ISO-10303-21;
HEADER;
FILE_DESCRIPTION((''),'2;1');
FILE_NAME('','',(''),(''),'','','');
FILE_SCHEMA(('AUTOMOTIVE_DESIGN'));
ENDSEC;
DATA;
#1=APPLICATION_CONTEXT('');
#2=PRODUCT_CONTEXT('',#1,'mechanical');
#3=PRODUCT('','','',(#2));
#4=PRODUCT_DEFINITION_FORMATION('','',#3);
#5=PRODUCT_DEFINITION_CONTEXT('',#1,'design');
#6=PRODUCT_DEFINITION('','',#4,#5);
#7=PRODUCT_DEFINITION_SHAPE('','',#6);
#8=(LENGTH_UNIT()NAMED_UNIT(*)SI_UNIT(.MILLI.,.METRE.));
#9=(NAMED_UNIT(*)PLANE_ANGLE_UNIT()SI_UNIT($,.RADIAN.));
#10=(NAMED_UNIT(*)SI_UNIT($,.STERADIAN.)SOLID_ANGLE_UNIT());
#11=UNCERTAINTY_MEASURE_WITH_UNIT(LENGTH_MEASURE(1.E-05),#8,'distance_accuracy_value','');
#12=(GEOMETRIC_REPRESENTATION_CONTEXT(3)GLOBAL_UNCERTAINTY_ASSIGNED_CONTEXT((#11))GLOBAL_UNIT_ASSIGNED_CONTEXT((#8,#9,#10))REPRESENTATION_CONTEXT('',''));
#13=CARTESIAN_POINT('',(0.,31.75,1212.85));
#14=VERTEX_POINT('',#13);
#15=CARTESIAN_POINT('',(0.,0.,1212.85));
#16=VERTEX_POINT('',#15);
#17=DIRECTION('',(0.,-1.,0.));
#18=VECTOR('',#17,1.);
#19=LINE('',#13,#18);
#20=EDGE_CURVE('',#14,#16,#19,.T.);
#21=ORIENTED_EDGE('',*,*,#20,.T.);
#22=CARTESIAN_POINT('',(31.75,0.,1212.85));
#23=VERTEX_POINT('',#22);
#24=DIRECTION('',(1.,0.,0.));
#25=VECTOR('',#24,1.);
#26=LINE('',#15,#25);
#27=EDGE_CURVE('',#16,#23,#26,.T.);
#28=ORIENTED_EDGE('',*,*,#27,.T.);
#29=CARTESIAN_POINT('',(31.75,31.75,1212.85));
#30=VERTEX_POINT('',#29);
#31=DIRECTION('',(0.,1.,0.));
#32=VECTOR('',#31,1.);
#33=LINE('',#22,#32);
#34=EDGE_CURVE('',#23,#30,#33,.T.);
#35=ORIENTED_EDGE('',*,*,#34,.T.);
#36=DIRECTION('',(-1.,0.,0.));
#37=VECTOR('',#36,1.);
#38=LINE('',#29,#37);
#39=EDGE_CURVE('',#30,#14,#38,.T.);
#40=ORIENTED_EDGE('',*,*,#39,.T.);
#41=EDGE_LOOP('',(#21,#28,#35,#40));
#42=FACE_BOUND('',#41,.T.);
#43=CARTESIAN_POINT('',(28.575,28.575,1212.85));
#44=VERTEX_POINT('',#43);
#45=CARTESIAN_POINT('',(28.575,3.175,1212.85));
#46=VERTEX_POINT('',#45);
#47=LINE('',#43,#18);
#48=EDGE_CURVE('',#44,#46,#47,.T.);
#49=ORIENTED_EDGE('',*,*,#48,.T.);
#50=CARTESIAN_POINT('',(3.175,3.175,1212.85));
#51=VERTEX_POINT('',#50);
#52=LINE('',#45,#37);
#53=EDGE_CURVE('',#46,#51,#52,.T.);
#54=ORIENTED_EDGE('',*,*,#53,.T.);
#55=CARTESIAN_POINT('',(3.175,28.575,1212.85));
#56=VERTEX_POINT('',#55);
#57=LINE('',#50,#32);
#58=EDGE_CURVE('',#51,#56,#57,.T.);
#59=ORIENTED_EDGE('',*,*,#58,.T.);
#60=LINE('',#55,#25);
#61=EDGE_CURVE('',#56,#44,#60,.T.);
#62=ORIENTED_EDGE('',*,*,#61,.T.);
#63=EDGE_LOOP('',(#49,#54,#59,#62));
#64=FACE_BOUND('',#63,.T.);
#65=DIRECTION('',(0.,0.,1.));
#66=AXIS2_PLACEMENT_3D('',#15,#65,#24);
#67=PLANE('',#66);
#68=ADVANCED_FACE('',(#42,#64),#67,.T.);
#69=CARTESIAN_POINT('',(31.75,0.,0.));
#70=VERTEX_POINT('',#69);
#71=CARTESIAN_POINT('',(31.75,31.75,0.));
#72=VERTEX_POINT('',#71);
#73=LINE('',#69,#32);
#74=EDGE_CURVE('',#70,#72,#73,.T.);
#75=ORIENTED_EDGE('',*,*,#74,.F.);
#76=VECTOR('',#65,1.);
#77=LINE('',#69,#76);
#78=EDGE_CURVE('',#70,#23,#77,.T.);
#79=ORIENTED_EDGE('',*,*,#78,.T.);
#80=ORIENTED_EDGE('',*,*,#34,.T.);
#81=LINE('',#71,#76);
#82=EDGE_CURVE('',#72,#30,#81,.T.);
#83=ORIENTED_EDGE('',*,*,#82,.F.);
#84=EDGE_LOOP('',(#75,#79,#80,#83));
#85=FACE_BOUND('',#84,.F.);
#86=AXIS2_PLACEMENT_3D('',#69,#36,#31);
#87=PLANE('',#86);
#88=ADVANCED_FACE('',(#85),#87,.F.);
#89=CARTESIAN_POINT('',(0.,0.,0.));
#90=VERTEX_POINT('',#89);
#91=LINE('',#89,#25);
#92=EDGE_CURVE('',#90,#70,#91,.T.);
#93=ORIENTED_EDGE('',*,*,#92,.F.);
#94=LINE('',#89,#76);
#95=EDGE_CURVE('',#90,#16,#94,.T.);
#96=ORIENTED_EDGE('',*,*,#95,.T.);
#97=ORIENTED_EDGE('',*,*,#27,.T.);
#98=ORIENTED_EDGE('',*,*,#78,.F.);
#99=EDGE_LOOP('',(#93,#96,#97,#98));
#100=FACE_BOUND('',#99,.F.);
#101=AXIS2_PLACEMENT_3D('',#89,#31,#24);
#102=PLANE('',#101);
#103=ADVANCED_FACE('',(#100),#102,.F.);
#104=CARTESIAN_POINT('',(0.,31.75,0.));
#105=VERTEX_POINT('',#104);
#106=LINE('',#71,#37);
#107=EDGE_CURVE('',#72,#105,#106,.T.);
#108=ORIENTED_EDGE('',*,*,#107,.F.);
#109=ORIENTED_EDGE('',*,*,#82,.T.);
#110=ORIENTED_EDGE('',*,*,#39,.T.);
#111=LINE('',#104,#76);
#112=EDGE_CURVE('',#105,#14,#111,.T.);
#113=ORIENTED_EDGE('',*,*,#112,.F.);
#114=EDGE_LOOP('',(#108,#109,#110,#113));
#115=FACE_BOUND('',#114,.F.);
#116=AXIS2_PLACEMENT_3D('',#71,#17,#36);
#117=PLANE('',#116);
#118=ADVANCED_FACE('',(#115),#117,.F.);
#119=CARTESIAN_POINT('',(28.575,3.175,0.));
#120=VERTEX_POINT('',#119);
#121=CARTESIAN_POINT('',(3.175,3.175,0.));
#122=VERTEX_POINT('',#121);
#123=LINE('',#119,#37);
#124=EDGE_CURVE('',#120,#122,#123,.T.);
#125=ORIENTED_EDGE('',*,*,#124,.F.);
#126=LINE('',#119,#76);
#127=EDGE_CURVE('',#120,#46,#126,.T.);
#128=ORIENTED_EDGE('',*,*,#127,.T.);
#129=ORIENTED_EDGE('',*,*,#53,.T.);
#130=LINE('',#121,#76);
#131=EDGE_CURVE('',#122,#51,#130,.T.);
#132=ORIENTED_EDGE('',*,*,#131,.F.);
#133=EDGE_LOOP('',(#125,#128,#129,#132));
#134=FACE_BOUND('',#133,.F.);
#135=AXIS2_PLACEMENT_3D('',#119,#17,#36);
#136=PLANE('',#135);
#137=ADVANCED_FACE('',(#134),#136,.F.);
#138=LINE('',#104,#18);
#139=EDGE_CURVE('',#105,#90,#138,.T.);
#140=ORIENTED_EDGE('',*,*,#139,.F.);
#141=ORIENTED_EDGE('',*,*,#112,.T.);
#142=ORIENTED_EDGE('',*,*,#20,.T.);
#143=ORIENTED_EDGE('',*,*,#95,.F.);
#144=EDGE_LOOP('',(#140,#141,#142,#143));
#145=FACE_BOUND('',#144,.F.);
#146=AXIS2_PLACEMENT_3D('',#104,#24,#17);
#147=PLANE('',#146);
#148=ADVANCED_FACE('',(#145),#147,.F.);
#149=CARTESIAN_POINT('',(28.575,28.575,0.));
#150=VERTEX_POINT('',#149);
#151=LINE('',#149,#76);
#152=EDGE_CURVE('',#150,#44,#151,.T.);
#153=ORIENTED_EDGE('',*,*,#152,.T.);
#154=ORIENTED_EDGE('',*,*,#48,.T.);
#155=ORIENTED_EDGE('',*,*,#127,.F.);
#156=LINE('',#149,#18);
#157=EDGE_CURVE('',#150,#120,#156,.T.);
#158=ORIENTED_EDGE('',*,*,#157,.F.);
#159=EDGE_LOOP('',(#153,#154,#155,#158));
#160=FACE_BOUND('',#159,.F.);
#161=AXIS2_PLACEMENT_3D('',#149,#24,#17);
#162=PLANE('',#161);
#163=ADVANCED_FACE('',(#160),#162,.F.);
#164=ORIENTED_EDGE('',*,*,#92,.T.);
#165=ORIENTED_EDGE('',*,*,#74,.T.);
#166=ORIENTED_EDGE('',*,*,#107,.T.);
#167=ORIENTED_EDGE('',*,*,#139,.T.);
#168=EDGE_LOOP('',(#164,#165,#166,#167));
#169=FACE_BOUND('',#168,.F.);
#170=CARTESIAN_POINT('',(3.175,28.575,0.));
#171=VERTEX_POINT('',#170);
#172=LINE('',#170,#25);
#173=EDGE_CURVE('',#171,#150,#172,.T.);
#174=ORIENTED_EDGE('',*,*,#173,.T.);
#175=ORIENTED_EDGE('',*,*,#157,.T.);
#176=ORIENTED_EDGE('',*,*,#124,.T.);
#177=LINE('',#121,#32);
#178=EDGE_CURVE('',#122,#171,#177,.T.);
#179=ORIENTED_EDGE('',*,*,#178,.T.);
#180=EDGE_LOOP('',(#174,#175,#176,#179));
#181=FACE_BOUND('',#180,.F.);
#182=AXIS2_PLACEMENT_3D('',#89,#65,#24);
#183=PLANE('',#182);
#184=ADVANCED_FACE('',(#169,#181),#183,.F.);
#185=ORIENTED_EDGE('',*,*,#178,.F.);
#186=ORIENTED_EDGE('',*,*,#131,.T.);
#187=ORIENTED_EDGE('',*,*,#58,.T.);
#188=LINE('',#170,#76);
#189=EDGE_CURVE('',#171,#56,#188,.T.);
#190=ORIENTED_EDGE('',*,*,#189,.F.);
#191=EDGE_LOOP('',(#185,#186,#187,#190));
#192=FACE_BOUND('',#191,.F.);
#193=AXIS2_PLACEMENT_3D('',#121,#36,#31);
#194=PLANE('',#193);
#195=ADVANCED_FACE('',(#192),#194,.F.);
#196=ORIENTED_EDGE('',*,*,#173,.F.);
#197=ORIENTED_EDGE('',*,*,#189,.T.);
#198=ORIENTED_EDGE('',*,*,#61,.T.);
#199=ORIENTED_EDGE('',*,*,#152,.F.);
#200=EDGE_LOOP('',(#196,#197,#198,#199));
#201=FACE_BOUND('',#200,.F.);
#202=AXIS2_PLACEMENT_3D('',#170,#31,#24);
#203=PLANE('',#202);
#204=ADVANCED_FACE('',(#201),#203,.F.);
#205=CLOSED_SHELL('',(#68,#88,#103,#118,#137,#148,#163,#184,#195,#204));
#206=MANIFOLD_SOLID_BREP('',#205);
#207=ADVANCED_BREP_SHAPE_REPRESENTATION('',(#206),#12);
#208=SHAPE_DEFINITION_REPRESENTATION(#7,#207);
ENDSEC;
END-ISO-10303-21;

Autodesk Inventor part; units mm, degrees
ref_plane "YZ Plane" through (0, 0, 0) normal (1, 0, 0) x (0, 1, 0)
ref_plane "XZ Plane" through (0, 0, 0) normal (0, 1, 0) x (-1, 0, 0)
ref_plane "XY Plane" through (0, 0, 0) normal (0, 0, 1) x (1, 0, 0)
sketch "Sketch1" plane through (0, 0, 0) normal (0, 0, 1) x (1, 0, 0)
  line L0 (0, 0) -> (31.75, 0)
  line L1 (31.75, 0) -> (31.75, 31.75)
  line L2 (31.75, 31.75) -> (0, 31.75)
  line L3 (0, 31.75) -> (0, 0)
  line L4 (3.175, 28.575) -> (28.575, 28.575)
  line L5 (28.575, 28.575) -> (28.575, 3.175)
  line L6 (28.575, 3.175) -> (3.175, 3.175)
  line L7 (3.175, 3.175) -> (3.175, 28.575)
  dimension "d0" = 31.75
  dimension "d1" = 3.175
extrude "Extrusion1" add sketch "Sketch1" along normal blind 1212.85
properties part number "GE-12089-01"
